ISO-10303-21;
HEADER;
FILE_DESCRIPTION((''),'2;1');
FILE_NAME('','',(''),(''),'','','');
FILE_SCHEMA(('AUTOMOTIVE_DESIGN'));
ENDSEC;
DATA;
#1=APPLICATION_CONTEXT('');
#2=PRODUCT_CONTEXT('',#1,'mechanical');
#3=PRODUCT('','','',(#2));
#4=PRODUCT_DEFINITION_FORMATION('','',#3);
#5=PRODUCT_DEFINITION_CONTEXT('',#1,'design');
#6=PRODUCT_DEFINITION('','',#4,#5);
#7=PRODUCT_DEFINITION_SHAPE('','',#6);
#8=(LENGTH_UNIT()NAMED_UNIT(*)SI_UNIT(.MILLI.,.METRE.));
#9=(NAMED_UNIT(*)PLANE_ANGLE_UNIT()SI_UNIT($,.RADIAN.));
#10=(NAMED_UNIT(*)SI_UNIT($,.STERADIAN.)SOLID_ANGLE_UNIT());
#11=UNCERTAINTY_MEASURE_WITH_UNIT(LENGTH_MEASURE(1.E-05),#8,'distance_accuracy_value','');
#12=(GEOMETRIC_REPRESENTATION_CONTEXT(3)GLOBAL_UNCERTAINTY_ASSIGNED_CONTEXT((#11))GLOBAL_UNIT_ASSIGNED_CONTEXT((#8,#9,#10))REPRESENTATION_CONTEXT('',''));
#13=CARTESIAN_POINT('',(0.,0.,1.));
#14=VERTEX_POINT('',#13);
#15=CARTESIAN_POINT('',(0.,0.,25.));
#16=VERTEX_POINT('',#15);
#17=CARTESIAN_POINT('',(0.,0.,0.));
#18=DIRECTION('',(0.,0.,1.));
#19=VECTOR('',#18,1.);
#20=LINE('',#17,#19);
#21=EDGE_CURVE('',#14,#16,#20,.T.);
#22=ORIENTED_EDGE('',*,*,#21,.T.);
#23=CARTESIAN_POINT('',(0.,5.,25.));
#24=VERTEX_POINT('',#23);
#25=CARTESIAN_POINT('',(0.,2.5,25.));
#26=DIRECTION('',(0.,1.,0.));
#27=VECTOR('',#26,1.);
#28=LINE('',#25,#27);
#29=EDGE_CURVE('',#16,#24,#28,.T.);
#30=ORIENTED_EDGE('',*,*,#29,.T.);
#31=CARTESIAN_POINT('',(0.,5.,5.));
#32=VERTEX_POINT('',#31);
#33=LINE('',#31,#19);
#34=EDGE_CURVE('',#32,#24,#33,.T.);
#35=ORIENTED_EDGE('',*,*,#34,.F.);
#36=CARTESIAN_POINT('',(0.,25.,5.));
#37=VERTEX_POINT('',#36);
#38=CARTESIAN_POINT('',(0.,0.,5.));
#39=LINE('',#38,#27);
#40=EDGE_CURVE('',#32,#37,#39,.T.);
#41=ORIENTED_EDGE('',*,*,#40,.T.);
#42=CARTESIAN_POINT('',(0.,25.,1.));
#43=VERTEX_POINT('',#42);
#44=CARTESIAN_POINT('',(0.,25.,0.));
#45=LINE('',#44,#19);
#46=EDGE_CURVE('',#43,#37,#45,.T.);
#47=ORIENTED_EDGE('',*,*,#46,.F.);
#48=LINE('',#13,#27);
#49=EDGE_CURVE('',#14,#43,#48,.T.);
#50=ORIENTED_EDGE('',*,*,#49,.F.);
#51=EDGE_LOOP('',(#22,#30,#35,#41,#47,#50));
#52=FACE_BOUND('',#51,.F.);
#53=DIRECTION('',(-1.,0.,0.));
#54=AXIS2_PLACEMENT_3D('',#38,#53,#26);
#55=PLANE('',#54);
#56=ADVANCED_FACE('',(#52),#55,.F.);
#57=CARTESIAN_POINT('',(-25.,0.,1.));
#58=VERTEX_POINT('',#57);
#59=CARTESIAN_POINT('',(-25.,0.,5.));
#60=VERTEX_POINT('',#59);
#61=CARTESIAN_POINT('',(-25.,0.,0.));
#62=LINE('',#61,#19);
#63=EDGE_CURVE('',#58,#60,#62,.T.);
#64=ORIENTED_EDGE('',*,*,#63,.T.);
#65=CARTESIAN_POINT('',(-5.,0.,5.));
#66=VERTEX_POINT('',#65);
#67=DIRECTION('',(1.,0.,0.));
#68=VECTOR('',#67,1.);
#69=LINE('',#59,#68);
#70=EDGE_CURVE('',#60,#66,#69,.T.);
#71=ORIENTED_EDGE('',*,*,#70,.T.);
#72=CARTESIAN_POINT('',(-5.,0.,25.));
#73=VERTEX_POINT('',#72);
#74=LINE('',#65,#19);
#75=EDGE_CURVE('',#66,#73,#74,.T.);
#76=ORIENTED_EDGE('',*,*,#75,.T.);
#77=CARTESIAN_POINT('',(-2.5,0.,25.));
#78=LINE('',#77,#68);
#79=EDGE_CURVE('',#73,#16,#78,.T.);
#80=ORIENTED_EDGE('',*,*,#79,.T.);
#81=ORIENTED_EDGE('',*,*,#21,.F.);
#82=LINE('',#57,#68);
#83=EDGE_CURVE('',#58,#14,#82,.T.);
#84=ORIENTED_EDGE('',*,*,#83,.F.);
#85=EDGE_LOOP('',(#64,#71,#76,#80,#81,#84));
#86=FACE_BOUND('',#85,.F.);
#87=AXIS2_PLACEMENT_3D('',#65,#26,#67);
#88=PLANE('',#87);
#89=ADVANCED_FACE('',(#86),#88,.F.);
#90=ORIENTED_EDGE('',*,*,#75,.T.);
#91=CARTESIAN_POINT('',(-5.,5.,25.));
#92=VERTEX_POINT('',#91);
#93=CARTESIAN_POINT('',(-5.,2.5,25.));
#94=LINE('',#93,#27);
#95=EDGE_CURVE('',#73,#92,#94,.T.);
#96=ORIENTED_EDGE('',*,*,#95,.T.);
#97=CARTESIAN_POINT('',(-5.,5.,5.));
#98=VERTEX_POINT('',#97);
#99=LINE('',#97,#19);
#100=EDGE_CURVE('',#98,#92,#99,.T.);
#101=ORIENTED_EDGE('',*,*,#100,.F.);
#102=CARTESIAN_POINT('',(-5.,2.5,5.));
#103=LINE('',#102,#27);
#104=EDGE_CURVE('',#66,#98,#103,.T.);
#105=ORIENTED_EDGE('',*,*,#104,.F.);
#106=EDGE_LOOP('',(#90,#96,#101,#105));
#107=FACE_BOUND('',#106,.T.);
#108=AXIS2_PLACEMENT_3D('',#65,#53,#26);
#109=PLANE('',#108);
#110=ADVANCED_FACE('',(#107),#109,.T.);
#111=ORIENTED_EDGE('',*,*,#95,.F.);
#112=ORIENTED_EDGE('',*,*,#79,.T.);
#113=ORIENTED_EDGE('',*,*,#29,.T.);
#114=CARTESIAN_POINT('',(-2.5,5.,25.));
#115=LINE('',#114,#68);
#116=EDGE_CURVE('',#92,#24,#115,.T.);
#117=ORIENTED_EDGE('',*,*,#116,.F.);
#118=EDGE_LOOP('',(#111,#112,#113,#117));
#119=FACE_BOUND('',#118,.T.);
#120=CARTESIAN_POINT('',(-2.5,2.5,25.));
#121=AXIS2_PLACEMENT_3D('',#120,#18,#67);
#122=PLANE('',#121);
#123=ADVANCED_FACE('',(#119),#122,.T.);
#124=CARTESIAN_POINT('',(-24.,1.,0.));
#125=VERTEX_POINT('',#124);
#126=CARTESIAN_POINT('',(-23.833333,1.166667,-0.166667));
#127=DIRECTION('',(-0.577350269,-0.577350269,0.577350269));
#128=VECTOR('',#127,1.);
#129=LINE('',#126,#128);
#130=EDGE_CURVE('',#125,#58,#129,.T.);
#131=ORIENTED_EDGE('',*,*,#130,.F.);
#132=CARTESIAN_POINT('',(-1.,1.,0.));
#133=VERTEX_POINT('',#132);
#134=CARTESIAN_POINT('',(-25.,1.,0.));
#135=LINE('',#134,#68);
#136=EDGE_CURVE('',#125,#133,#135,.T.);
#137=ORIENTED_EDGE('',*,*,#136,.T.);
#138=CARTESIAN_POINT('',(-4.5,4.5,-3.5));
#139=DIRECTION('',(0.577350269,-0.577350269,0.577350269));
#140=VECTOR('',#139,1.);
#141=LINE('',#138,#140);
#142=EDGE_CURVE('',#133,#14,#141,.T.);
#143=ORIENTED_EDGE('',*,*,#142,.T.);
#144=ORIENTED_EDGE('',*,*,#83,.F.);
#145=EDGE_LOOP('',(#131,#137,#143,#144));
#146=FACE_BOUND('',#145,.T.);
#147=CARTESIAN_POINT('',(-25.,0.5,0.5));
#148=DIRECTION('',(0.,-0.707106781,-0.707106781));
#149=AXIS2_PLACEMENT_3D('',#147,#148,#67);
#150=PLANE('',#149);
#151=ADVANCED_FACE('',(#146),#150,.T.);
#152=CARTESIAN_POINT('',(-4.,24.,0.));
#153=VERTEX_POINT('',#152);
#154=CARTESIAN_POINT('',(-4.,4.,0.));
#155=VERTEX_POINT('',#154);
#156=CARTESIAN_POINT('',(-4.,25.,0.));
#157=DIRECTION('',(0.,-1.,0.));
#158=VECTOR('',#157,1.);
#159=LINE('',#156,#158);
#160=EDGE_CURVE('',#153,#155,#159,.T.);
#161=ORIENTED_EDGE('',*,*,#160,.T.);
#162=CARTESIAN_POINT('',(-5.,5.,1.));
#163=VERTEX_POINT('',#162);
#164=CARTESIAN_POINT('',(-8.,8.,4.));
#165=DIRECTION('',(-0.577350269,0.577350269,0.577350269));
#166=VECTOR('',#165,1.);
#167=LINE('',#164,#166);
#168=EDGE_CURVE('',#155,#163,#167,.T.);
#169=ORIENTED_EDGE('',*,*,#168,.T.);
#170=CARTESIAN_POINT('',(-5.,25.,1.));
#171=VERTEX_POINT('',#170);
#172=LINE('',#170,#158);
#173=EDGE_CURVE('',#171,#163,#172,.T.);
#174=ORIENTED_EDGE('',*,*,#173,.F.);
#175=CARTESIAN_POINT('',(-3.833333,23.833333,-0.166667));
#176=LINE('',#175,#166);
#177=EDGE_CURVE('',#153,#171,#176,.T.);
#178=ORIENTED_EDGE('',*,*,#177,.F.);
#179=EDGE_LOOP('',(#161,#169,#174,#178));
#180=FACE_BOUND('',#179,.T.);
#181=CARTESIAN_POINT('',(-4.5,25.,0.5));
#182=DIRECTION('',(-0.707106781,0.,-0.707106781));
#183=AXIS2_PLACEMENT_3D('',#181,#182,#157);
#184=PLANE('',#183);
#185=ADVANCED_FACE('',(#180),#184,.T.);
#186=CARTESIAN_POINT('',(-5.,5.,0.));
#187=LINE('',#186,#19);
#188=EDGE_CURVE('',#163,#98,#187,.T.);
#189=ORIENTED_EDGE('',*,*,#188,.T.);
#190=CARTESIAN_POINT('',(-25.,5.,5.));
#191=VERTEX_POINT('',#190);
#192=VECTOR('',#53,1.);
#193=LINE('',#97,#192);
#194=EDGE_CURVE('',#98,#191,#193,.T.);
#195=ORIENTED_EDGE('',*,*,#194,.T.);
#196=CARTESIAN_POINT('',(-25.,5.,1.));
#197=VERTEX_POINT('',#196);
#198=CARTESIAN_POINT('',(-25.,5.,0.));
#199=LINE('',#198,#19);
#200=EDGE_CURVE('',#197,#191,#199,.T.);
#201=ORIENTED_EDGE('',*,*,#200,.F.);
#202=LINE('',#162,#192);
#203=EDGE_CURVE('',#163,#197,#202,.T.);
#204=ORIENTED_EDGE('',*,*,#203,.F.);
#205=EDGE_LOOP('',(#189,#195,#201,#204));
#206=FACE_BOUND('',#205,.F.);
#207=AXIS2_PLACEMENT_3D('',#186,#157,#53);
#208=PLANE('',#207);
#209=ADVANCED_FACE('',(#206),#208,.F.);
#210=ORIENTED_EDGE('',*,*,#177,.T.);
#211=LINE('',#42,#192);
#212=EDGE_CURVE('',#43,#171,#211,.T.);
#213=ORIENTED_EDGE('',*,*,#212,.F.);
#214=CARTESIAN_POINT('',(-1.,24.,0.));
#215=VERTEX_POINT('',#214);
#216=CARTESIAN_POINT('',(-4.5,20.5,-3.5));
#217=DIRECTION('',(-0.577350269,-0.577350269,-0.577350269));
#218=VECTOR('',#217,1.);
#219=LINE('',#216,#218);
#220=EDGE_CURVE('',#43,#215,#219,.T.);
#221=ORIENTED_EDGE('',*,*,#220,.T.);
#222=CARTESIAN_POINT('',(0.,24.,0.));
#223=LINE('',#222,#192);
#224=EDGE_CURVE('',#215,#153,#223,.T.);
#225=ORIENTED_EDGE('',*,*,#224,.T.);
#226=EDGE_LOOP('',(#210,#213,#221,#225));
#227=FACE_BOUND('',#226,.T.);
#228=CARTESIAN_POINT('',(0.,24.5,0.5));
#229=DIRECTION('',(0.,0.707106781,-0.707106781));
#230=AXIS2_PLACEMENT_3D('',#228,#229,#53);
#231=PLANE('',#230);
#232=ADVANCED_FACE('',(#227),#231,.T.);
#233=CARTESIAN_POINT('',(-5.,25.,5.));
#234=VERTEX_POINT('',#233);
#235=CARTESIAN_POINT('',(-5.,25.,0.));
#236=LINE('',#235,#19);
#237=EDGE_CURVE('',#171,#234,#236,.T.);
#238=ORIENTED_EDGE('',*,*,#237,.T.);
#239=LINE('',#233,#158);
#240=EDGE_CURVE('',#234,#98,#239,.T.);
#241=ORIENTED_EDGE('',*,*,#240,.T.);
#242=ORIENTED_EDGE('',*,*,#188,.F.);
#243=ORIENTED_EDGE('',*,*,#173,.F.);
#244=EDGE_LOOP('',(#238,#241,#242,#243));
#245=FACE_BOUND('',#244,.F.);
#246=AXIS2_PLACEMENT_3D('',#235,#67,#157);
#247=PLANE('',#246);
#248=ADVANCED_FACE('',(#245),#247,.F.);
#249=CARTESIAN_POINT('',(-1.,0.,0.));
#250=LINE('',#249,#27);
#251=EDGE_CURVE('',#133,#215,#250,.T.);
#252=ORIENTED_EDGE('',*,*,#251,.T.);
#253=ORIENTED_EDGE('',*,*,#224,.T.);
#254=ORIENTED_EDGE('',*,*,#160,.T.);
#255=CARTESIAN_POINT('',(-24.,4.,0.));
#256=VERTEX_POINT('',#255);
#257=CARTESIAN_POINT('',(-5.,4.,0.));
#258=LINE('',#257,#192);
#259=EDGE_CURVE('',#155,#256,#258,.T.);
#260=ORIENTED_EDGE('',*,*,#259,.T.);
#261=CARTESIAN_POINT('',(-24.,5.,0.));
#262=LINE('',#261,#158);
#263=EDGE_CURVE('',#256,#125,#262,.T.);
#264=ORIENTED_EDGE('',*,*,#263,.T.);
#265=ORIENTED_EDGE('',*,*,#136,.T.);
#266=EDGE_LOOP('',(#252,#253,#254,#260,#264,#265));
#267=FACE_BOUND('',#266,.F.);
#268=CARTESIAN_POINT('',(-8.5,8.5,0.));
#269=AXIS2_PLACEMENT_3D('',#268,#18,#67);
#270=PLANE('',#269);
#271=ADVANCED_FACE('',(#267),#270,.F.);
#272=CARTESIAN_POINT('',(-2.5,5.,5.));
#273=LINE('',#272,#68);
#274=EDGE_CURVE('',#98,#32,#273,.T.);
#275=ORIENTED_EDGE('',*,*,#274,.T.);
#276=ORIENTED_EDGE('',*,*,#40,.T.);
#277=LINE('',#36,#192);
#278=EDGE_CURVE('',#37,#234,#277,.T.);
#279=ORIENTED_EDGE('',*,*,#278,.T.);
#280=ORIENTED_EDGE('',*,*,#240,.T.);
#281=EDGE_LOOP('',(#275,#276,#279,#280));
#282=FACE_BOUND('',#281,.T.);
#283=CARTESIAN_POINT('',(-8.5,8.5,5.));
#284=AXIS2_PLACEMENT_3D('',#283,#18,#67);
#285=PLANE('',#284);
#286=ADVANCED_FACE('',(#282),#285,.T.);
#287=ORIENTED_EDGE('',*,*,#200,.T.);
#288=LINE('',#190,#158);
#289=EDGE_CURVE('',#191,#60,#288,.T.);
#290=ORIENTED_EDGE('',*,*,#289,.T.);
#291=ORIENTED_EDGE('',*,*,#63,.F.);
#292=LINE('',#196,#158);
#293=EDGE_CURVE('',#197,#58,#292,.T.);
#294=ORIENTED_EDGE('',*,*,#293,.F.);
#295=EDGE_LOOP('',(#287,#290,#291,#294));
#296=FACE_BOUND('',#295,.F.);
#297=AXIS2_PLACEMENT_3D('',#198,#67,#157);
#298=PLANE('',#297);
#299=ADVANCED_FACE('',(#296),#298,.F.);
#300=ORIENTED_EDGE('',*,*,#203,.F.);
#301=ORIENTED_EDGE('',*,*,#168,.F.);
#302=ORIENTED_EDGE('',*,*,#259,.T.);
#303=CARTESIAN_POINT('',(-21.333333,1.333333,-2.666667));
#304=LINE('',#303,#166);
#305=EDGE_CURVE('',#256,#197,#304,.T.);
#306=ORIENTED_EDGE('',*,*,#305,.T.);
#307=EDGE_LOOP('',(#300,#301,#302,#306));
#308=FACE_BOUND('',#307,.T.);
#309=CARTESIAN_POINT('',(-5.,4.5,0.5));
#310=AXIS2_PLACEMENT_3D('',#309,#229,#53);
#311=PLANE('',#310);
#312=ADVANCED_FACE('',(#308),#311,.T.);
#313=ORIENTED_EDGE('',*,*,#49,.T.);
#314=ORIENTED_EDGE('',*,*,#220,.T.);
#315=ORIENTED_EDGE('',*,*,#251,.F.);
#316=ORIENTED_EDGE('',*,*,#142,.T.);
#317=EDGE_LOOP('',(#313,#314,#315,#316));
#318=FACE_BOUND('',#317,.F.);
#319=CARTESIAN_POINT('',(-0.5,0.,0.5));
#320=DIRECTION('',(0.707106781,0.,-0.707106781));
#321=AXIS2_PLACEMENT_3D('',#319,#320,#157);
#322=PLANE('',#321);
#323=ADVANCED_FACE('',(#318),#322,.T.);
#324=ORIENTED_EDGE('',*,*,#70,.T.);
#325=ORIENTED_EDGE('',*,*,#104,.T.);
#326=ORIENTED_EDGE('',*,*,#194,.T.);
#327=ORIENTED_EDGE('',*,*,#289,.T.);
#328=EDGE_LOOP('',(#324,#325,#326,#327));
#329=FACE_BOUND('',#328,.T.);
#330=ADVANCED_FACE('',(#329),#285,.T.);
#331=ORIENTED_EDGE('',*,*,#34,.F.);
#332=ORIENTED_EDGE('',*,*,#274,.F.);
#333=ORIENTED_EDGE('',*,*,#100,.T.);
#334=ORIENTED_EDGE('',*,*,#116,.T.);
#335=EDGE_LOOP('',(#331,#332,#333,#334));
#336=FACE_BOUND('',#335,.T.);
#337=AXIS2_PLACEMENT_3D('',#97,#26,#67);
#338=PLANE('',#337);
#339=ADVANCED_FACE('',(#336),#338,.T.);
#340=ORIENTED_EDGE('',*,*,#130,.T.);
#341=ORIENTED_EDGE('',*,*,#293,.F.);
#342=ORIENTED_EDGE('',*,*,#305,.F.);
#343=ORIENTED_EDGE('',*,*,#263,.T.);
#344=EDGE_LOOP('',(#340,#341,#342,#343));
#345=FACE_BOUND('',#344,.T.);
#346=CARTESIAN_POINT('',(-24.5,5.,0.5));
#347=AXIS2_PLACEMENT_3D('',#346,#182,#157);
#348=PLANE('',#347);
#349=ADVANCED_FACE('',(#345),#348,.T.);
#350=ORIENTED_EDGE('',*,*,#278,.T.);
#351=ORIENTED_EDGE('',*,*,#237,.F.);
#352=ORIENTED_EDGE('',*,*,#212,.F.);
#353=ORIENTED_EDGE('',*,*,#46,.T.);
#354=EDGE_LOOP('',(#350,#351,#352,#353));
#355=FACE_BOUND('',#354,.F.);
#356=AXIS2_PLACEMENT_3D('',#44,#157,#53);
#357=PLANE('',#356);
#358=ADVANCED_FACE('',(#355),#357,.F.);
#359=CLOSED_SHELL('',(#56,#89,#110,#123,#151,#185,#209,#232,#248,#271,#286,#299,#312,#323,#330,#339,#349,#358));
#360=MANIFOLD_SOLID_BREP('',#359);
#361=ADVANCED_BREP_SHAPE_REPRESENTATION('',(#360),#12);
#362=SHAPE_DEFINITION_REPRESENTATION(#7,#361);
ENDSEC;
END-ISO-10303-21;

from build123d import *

# Parameters (mm, degrees)
F1_DEPTH = 5
F2_W     = 5
F2_H     = 5
F3_DEPTH = 20
F4_SIZE  = 1


with BuildPart() as f1:
    # F0 (on Top) → F1 (new body)
    with BuildSketch(Plane.XY):
        Polygon((-25, 0), (0, 0), (0, 25), (-5, 25), (-5, 5), (-25, 5), align=None)
    extrude(amount=F1_DEPTH)

    # F2 (on face) → F3 (join)
    with BuildSketch(Plane.XY.offset(5)):
        with Locations((-2.5, 2.5)):
            Rectangle(F2_W, F2_H)
    extrude(amount=F3_DEPTH)

    # F4
    f4_edges = [f1.edges().sort_by_distance(p)[0] for p in [
        (-12.5, 0, 0),
        (0, 12.5, 0),
        (-2.5, 25, 0),
        (-5, 15, 0),
        (-15, 5, 0),
        (-25, 2.5, 0),
    ]]
    chamfer(f4_edges, length=F4_SIZE)


solid = f1.part
